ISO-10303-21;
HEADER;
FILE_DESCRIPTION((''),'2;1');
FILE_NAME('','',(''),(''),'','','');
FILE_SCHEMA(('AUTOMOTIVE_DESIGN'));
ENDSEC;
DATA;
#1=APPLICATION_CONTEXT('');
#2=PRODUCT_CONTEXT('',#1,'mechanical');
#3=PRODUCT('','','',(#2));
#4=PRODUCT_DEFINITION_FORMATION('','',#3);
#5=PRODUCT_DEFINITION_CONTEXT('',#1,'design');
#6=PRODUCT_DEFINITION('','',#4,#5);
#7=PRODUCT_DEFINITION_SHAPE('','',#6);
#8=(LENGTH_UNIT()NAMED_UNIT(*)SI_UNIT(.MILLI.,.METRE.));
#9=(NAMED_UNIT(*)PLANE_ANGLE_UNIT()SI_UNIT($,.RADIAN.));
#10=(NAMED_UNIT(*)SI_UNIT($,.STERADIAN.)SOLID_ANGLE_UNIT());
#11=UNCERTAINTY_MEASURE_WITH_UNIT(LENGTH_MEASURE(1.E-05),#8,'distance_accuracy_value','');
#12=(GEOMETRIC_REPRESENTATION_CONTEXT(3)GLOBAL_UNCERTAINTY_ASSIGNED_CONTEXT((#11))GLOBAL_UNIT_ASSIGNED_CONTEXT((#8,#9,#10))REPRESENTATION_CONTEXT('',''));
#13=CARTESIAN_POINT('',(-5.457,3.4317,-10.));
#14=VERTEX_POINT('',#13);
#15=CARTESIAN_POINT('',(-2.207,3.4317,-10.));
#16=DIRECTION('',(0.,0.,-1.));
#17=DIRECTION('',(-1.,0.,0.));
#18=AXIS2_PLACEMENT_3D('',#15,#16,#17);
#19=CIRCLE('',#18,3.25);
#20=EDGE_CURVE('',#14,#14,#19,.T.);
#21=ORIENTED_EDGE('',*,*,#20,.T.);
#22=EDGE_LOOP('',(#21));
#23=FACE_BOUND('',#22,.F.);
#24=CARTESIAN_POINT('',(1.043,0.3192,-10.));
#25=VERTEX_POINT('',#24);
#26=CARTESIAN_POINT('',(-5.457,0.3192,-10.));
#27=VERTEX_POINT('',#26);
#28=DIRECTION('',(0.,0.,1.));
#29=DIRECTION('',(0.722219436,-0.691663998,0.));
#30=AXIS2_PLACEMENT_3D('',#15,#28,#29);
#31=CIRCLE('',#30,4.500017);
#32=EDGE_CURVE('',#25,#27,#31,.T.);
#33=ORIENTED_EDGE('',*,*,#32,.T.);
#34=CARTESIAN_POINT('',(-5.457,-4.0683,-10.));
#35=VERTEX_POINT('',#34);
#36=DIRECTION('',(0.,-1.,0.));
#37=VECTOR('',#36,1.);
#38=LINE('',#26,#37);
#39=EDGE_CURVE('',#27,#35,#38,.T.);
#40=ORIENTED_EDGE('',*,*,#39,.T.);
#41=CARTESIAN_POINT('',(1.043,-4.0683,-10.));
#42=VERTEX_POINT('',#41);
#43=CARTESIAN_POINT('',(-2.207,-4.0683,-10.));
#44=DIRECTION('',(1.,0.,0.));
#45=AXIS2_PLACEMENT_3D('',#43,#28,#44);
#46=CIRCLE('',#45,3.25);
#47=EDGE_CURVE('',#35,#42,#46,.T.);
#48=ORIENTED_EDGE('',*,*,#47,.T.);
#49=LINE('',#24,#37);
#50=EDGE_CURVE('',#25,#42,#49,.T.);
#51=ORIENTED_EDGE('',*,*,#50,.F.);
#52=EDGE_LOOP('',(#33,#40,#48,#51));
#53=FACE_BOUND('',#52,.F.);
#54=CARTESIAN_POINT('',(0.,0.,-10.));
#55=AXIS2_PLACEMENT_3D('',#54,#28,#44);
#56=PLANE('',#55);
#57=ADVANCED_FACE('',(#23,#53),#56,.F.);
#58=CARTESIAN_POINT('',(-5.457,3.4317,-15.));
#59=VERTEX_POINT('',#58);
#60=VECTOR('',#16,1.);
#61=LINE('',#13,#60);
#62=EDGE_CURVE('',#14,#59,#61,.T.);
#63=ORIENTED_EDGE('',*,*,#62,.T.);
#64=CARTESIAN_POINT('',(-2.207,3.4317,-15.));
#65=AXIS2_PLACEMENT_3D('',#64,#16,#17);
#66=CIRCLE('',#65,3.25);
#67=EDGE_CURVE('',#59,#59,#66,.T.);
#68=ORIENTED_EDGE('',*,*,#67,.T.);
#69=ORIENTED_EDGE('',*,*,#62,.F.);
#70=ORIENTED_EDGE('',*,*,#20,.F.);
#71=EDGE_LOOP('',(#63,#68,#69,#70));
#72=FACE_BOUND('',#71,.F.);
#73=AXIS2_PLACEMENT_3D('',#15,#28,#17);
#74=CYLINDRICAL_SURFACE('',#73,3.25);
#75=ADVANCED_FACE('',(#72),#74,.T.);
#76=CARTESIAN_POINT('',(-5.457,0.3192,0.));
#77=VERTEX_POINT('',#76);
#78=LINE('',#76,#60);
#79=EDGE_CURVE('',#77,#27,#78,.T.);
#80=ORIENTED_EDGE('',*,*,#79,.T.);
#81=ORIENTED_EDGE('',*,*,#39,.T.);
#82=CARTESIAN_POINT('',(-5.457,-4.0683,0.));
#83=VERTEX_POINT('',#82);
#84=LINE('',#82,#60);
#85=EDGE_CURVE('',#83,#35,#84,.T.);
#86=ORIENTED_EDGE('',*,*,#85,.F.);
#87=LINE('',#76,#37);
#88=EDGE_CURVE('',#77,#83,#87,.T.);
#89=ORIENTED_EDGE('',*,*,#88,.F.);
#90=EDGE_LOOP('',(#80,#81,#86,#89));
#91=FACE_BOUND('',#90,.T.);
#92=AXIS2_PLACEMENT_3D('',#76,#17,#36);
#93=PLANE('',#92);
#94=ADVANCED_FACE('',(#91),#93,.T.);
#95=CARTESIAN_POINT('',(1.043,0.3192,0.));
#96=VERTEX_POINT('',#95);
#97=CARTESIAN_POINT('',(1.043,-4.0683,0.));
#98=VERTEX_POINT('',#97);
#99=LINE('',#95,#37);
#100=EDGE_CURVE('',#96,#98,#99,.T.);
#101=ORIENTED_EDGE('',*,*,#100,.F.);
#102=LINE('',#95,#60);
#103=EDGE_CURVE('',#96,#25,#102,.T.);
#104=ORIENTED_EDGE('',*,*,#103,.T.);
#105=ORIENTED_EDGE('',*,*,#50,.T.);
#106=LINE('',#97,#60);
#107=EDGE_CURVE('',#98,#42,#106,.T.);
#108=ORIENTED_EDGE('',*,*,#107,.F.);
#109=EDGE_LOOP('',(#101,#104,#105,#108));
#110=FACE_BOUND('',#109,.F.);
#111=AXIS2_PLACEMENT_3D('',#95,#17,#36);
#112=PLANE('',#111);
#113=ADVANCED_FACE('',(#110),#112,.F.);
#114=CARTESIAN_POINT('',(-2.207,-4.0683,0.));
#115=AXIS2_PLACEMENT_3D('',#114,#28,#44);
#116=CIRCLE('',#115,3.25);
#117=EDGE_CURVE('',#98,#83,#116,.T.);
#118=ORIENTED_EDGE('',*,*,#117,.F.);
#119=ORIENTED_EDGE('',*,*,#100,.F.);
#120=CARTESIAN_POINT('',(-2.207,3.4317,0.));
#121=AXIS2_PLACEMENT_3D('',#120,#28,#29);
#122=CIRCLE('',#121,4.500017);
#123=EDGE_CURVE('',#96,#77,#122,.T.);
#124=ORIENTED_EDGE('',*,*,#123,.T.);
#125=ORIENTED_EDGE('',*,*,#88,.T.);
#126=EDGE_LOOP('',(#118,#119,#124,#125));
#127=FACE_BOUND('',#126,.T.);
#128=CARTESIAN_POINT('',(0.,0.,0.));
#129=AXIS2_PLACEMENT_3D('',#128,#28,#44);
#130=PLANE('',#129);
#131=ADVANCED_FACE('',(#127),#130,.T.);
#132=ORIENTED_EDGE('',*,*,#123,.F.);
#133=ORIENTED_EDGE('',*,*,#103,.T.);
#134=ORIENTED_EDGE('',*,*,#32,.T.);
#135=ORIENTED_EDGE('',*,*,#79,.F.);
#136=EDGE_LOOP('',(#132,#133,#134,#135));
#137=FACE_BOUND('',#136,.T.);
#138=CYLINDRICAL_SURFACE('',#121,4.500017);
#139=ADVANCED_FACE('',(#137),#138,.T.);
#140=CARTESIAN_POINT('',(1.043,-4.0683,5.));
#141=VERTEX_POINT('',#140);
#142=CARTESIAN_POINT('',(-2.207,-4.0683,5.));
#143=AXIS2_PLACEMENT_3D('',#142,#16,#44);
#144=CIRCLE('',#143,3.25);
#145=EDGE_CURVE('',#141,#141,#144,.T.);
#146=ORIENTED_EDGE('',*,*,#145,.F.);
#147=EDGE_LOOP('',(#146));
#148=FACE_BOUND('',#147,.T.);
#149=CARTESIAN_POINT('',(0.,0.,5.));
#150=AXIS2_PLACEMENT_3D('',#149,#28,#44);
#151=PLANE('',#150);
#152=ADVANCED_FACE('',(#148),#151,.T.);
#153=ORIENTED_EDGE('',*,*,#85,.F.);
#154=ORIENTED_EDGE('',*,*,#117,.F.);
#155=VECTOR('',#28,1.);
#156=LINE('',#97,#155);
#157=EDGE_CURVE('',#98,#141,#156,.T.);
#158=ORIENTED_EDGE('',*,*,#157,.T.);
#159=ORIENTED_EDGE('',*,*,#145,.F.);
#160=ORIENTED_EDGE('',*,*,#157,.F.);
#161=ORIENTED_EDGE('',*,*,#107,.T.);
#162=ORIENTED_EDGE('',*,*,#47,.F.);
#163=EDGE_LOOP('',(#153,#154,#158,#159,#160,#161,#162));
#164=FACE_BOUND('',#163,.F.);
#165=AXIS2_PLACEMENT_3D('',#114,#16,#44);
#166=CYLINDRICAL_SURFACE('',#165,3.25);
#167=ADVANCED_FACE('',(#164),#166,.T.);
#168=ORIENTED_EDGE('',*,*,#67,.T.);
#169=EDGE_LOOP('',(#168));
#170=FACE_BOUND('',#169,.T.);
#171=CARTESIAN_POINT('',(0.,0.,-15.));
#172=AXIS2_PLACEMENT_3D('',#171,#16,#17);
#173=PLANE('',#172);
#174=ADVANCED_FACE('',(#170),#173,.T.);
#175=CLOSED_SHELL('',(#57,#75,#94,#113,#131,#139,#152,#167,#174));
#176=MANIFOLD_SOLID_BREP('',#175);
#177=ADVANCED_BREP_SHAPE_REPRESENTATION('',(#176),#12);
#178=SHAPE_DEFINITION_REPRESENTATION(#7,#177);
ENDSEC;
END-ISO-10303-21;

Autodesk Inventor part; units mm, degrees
ref_plane "YZ Plane" through (0, 0, 0) normal (1, 0, 0) x (0, 1, 0)
ref_plane "XZ Plane" through (0, 0, 0) normal (0, 1, 0) x (-1, 0, 0)
ref_plane "XY Plane" through (0, 0, 0) normal (0, 0, 1) x (1, 0, 0)
sketch "Sketch2" plane through (0, 0, 0) normal (0, 0, 1) x (1, 0, 0)
  line L0 (1.043, 0.3192) -> (1.043, -4.0683)
  arc A0 (1.043, 0.3192) -> (-5.457, 0.3192) centre (-2.207, 3.4317) ccw
  circle A1 centre (-2.207, -4.0683) radius 3.25
  circle A2 centre (-2.207, 3.4317) radius 3.25
  line L1 (-2.207, 14.5026) -> (-2.207, -15.0875) construction
  line L2 (-5.457, 0.3192) -> (-5.457, -4.0683)
  point P0 (-2.7063, -6.309)
  dimension "d6" = 6.5
  dimension "d8" = 9
  dimension "d9" = 7.5
extrude "Extrusion1" add sketch "Sketch2" along normal blind 5 contours A1
extrude "Extrusion2" add sketch "Sketch2" against normal blind 10 contours L0 A1 L2 A0 | A1 | A2
sketch "Sketch3" plane through (0, 0, -10) normal (0, 0, -1) x (-1, 0, 0)
  circle A0 centre (2.207, 3.4317) radius 3.25 projected
  arc A1 (5.457, 0.3192) -> (-1.043, 0.3192) centre (2.207, 3.4317) ccw projected
  point P0 (0, 0)
extrude "Extrusion3" add sketch "Sketch3" along normal blind 5
equation "\"d6\" = R"
equation "\"d8\" = R1"
equation "\"d0\" = thickness"
equation "\"d2\" = 2 * thickness"
equation "\"d4\" = thickness"
equation "\"R\" = 6.5"
equation "\"thickness\" = 5"
equation "\"width\" = 6.5"
equation "\"R1\" = 9"
